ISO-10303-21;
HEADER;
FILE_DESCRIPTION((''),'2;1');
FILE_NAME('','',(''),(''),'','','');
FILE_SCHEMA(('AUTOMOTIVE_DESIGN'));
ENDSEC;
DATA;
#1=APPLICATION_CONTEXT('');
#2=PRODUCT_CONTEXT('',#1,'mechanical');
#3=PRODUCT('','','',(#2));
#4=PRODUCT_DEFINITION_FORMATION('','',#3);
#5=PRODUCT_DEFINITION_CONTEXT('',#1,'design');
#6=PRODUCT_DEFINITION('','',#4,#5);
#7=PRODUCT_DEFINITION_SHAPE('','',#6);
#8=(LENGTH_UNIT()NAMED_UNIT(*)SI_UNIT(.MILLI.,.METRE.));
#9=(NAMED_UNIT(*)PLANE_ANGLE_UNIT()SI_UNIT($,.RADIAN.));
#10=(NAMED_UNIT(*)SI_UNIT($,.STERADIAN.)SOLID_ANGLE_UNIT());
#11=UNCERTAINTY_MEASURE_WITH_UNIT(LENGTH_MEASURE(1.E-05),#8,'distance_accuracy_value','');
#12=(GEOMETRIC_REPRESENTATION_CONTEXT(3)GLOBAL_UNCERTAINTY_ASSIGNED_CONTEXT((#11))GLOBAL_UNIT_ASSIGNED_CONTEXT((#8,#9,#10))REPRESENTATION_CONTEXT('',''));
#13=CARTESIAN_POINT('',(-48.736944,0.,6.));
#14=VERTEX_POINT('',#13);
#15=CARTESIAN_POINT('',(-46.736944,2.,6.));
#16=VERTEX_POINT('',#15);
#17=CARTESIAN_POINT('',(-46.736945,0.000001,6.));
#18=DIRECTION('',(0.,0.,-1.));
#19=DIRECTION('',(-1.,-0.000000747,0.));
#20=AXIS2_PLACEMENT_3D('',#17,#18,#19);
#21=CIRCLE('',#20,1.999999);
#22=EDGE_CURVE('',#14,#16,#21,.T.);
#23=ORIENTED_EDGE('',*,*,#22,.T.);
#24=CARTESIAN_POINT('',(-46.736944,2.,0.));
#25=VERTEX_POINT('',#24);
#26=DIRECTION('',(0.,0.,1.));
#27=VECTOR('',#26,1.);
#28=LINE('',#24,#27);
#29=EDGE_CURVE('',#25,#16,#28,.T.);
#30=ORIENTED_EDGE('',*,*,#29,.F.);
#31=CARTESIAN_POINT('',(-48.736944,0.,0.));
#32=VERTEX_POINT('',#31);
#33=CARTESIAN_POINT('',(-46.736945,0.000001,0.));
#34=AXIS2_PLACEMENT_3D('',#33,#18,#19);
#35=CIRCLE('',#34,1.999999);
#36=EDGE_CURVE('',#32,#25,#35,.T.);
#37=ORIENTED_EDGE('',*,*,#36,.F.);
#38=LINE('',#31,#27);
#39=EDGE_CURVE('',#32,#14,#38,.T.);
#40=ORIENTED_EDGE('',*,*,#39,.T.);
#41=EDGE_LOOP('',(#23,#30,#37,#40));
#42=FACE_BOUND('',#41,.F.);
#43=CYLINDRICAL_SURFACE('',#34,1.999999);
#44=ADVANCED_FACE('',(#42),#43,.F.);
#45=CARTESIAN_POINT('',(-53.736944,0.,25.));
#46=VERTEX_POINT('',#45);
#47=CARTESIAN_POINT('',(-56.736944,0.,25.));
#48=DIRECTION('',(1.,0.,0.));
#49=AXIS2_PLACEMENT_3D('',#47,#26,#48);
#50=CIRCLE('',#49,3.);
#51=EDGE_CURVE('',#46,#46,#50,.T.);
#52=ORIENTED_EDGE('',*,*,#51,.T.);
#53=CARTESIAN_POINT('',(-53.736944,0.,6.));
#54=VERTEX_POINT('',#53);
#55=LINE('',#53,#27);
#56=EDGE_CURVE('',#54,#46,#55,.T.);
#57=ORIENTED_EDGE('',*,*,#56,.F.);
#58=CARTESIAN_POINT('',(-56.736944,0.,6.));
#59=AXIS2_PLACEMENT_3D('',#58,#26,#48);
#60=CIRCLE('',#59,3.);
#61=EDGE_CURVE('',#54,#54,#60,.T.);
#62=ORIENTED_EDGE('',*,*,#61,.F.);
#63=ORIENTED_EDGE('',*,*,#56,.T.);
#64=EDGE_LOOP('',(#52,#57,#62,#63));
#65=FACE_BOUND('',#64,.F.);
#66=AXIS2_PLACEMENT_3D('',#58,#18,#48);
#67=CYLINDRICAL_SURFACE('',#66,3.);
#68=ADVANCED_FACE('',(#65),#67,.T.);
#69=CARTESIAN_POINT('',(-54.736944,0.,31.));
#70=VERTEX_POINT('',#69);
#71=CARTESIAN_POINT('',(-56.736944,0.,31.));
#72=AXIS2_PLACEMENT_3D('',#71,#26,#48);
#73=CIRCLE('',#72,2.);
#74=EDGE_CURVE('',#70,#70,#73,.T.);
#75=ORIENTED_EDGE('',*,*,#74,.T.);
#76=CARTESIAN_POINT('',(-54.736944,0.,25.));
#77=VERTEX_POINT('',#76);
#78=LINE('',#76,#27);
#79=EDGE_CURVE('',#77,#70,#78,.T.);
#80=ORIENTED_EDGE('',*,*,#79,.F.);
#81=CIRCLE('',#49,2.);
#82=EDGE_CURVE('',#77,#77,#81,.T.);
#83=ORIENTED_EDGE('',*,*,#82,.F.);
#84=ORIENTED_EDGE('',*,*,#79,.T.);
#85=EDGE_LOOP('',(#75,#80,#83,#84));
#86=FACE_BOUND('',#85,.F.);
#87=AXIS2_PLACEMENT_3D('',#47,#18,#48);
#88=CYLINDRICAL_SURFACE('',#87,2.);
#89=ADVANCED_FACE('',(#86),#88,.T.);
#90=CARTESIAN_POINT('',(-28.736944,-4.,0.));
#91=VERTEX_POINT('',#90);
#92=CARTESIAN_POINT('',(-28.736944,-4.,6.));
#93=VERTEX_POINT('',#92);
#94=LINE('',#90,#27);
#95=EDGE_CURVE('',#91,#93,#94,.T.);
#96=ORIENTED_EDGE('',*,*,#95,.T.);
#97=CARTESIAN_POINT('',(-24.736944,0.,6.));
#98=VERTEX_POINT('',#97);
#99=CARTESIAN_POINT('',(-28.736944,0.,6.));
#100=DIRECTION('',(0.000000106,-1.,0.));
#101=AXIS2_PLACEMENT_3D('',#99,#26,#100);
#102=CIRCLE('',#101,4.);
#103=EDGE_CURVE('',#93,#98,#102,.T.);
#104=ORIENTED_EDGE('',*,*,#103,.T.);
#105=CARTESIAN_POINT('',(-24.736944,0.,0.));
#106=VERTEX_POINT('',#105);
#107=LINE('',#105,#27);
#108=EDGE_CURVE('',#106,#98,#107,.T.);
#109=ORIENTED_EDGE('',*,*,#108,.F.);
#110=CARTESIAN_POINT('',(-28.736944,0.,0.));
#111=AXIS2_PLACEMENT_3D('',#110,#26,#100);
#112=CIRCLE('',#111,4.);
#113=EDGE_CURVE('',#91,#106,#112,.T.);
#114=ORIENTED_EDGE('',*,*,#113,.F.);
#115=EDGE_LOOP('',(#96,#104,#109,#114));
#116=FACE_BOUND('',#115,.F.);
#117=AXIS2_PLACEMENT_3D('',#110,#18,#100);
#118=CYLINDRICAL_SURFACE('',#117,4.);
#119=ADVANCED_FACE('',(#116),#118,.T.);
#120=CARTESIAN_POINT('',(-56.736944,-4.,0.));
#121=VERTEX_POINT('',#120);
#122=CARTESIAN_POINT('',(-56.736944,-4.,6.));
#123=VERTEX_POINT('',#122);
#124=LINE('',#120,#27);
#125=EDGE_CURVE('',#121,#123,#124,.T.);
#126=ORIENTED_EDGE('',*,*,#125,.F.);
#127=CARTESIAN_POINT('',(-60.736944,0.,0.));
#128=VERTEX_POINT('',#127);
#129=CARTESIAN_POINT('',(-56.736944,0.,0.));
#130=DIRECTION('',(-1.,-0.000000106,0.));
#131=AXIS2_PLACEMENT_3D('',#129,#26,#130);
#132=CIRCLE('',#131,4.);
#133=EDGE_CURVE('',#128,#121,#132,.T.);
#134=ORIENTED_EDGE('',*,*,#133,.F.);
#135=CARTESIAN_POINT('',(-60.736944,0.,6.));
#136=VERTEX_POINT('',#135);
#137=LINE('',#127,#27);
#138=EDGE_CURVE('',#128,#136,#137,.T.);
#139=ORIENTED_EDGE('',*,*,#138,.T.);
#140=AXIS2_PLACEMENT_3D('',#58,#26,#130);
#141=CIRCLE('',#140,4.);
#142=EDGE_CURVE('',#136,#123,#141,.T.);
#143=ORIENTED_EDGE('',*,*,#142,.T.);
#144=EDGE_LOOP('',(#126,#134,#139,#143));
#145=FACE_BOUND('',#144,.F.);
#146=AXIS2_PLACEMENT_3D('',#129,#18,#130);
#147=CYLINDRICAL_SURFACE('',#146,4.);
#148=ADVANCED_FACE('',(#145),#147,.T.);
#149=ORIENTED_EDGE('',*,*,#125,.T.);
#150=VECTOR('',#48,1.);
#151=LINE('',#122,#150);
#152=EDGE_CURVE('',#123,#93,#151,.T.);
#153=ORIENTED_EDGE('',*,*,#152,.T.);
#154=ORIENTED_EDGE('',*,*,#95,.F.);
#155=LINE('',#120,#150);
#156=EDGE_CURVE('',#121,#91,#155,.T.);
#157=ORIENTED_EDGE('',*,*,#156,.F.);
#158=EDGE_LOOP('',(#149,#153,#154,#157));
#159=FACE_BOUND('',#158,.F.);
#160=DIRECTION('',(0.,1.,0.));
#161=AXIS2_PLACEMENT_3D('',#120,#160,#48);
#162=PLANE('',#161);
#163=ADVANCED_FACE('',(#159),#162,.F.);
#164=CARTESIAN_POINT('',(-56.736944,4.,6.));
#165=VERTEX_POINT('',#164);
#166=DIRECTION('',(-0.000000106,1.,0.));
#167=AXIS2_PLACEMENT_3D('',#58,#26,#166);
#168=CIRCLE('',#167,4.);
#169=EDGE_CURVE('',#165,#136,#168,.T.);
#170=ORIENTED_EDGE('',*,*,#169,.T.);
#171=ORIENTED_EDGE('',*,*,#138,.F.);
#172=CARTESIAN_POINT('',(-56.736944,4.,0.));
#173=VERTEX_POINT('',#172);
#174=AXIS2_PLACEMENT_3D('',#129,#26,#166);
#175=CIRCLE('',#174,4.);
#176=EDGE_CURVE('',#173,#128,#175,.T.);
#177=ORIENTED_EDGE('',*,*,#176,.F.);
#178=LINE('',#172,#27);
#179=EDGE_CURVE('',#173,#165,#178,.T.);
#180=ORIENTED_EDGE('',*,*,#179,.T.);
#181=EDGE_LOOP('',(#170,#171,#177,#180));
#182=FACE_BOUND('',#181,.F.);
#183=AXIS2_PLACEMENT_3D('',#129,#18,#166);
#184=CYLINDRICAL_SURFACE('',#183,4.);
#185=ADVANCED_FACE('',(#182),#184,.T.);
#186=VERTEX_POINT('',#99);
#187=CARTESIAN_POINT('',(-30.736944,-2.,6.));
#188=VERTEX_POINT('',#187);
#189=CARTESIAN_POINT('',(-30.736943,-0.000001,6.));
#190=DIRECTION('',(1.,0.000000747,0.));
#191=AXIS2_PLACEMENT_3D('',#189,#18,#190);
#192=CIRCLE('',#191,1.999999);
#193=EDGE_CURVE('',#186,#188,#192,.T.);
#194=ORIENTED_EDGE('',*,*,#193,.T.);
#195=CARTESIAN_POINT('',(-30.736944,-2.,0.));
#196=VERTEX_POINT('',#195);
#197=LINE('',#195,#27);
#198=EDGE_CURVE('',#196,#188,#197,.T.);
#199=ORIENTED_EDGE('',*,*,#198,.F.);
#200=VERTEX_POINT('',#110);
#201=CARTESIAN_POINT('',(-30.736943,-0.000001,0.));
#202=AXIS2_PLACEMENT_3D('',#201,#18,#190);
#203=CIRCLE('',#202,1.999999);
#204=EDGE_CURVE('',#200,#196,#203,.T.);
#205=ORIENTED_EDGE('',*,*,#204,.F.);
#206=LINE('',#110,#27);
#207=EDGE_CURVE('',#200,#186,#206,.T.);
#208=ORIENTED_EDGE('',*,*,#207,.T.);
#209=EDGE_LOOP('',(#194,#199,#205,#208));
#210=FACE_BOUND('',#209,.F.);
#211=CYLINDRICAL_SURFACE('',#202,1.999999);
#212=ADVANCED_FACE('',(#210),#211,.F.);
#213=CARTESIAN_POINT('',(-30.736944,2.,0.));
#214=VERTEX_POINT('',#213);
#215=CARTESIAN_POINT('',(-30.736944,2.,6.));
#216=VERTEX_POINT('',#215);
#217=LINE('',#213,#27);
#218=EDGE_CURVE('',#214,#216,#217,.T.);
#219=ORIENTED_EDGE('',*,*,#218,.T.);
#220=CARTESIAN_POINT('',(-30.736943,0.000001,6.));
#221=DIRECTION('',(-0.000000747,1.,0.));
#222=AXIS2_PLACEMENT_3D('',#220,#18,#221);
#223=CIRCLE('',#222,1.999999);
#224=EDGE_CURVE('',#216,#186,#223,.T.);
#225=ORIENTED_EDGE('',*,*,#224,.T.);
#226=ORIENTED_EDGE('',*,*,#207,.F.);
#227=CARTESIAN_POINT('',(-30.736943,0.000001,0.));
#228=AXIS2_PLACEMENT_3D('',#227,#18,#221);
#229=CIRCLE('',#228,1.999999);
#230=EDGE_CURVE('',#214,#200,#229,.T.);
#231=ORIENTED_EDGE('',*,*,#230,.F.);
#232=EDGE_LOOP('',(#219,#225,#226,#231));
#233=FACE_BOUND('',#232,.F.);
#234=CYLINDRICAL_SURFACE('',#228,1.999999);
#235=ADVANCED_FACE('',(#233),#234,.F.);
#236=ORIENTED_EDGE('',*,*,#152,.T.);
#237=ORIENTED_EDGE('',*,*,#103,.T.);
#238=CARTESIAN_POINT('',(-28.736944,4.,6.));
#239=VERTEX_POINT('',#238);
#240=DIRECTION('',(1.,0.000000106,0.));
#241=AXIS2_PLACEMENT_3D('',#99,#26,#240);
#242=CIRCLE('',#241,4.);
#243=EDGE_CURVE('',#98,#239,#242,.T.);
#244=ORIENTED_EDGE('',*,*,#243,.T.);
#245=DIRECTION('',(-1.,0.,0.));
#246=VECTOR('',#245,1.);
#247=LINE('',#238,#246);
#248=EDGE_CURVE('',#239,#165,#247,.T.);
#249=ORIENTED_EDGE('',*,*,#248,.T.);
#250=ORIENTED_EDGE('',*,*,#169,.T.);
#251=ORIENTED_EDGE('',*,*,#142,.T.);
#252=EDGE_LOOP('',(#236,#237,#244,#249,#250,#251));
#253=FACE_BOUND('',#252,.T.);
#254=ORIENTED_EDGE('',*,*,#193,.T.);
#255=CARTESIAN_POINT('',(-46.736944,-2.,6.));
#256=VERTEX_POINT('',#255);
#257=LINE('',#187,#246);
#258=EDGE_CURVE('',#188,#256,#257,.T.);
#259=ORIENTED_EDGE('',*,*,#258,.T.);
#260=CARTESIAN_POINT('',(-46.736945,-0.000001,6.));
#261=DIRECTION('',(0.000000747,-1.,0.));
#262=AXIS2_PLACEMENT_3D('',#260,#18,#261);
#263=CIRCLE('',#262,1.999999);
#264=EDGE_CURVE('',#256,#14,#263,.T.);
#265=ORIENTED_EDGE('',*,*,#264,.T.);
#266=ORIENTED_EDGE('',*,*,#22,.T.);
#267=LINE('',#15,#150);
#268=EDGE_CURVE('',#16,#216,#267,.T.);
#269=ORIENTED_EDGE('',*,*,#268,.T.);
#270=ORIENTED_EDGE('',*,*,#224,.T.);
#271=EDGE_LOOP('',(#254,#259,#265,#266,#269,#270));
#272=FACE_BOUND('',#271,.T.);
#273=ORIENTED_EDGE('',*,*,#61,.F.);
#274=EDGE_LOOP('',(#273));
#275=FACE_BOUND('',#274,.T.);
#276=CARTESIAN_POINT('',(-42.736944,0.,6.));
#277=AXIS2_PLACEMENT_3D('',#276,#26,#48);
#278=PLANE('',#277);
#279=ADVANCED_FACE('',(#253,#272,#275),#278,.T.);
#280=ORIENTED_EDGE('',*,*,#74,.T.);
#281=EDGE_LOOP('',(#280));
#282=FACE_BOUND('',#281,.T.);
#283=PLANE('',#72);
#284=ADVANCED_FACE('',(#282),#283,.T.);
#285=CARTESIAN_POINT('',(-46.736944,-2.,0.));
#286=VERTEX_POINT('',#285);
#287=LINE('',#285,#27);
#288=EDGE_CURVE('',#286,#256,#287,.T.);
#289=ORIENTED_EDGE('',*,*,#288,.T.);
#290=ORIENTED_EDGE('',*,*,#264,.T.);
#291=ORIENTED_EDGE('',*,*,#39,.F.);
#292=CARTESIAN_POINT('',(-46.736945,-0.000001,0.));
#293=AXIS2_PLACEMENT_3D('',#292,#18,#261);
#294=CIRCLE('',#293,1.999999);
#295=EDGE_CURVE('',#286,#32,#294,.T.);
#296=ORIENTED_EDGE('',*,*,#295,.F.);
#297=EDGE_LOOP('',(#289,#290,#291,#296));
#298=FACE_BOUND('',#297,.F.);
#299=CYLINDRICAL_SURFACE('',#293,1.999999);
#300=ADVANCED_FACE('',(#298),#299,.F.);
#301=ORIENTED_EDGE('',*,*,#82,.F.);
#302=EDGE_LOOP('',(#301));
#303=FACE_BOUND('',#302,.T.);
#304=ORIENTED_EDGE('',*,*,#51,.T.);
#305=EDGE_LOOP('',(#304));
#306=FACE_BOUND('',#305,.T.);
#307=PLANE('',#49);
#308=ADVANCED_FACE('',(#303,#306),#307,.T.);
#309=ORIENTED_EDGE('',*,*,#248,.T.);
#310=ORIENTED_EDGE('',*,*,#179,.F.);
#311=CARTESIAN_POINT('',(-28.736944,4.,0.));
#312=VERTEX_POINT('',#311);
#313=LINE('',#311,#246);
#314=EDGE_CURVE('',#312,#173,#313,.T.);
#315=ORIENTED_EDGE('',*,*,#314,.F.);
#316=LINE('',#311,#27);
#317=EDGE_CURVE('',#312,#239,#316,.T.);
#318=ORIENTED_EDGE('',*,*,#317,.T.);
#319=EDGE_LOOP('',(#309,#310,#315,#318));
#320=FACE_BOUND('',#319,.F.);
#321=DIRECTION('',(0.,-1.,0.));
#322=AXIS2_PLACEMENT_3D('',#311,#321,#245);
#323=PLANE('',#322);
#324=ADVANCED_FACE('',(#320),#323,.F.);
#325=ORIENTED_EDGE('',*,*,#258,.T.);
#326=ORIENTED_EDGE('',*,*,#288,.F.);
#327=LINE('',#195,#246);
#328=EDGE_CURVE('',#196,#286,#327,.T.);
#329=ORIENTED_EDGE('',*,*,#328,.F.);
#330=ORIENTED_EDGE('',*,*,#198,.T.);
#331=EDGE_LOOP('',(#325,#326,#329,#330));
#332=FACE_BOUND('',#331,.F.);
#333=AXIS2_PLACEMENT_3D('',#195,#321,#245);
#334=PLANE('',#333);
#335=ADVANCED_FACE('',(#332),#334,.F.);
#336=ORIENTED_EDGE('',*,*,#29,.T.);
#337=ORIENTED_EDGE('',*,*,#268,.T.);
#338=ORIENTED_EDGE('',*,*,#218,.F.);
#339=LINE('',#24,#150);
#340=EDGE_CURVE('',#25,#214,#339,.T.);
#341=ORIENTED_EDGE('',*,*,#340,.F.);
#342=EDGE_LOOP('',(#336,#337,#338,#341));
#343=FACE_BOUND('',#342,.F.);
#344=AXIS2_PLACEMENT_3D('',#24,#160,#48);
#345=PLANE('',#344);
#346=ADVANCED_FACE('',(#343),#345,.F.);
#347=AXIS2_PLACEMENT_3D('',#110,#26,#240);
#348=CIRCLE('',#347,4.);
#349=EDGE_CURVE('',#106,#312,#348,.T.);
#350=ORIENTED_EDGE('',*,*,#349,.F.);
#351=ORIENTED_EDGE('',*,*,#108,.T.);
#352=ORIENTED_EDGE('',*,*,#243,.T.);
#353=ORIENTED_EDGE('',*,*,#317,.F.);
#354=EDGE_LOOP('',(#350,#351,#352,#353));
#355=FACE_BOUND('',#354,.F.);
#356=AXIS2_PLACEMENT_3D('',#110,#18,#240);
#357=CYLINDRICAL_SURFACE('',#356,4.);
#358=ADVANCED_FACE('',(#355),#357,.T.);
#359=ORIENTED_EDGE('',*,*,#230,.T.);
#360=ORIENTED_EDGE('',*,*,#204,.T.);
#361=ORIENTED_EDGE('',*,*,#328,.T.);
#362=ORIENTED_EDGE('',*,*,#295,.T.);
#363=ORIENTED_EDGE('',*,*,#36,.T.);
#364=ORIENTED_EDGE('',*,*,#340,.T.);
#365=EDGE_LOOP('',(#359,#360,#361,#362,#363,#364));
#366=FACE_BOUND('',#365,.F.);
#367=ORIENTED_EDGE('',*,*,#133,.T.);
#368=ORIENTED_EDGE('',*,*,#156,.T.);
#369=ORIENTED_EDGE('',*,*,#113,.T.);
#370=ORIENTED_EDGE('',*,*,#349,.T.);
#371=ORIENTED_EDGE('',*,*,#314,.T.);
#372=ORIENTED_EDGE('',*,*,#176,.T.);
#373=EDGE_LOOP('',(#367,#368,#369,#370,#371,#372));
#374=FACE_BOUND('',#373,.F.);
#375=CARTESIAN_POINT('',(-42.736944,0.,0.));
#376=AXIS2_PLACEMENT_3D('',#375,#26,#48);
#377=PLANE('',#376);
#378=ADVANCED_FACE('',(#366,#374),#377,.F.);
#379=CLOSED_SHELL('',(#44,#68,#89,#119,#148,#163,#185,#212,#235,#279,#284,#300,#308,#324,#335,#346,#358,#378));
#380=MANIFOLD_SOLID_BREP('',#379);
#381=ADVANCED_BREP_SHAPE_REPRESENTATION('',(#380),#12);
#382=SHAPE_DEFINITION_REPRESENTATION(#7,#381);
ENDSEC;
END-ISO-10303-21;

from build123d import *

# Parameters (mm, degrees)
F1_DEPTH = 6
F2_R     = 3
F3_DEPTH = 19
F4_R     = 2
F5_DEPTH = 6


with BuildPart() as f1:
    # F0 (on Top) → F1 (new body)
    with BuildSketch(Plane.XY):
        with BuildLine():
            Line((-28.736944, 4), (-56.736944, 4))
            ThreePointArc((-56.736944, 4), (-59.565371, 2.828427), (-60.736944, 0))
            ThreePointArc((-60.736944, 0), (-59.565371, -2.828427), (-56.736944, -4))
            Line((-56.736944, -4), (-28.736944, -4))
            ThreePointArc((-28.736944, -4), (-25.908517, -2.828427), (-24.736944, 0))
            ThreePointArc((-24.736944, 0), (-25.908517, 2.828427), (-28.736944, 4))
        make_face()
        with BuildLine():
            ThreePointArc((-48.736944, 0), (-48.151158, 1.414214), (-46.736944, 2))
            Line((-46.736944, 2), (-30.736944, 2))
            ThreePointArc((-30.736944, 2), (-29.32273, 1.414214), (-28.736944, 0))
            ThreePointArc((-28.736944, 0), (-29.32273, -1.414214), (-30.736944, -2))
            Line((-30.736944, -2), (-46.736944, -2))
            ThreePointArc((-46.736944, -2), (-48.151158, -1.414214), (-48.736944, 0))
        make_face(mode=Mode.SUBTRACT)
    extrude(amount=F1_DEPTH)

    # F2 (on face) → F3 (join)
    with BuildSketch(Plane.XY.offset(6)):
        with Locations((-56.736944, 0)):
            Circle(F2_R)
    extrude(amount=F3_DEPTH)

    # F4 (on face) → F5 (join)
    with BuildSketch(Plane.XY.offset(25)):
        with Locations((-56.736944, 0)):
            Circle(F4_R)
    extrude(amount=F5_DEPTH)


solid = f1.part
